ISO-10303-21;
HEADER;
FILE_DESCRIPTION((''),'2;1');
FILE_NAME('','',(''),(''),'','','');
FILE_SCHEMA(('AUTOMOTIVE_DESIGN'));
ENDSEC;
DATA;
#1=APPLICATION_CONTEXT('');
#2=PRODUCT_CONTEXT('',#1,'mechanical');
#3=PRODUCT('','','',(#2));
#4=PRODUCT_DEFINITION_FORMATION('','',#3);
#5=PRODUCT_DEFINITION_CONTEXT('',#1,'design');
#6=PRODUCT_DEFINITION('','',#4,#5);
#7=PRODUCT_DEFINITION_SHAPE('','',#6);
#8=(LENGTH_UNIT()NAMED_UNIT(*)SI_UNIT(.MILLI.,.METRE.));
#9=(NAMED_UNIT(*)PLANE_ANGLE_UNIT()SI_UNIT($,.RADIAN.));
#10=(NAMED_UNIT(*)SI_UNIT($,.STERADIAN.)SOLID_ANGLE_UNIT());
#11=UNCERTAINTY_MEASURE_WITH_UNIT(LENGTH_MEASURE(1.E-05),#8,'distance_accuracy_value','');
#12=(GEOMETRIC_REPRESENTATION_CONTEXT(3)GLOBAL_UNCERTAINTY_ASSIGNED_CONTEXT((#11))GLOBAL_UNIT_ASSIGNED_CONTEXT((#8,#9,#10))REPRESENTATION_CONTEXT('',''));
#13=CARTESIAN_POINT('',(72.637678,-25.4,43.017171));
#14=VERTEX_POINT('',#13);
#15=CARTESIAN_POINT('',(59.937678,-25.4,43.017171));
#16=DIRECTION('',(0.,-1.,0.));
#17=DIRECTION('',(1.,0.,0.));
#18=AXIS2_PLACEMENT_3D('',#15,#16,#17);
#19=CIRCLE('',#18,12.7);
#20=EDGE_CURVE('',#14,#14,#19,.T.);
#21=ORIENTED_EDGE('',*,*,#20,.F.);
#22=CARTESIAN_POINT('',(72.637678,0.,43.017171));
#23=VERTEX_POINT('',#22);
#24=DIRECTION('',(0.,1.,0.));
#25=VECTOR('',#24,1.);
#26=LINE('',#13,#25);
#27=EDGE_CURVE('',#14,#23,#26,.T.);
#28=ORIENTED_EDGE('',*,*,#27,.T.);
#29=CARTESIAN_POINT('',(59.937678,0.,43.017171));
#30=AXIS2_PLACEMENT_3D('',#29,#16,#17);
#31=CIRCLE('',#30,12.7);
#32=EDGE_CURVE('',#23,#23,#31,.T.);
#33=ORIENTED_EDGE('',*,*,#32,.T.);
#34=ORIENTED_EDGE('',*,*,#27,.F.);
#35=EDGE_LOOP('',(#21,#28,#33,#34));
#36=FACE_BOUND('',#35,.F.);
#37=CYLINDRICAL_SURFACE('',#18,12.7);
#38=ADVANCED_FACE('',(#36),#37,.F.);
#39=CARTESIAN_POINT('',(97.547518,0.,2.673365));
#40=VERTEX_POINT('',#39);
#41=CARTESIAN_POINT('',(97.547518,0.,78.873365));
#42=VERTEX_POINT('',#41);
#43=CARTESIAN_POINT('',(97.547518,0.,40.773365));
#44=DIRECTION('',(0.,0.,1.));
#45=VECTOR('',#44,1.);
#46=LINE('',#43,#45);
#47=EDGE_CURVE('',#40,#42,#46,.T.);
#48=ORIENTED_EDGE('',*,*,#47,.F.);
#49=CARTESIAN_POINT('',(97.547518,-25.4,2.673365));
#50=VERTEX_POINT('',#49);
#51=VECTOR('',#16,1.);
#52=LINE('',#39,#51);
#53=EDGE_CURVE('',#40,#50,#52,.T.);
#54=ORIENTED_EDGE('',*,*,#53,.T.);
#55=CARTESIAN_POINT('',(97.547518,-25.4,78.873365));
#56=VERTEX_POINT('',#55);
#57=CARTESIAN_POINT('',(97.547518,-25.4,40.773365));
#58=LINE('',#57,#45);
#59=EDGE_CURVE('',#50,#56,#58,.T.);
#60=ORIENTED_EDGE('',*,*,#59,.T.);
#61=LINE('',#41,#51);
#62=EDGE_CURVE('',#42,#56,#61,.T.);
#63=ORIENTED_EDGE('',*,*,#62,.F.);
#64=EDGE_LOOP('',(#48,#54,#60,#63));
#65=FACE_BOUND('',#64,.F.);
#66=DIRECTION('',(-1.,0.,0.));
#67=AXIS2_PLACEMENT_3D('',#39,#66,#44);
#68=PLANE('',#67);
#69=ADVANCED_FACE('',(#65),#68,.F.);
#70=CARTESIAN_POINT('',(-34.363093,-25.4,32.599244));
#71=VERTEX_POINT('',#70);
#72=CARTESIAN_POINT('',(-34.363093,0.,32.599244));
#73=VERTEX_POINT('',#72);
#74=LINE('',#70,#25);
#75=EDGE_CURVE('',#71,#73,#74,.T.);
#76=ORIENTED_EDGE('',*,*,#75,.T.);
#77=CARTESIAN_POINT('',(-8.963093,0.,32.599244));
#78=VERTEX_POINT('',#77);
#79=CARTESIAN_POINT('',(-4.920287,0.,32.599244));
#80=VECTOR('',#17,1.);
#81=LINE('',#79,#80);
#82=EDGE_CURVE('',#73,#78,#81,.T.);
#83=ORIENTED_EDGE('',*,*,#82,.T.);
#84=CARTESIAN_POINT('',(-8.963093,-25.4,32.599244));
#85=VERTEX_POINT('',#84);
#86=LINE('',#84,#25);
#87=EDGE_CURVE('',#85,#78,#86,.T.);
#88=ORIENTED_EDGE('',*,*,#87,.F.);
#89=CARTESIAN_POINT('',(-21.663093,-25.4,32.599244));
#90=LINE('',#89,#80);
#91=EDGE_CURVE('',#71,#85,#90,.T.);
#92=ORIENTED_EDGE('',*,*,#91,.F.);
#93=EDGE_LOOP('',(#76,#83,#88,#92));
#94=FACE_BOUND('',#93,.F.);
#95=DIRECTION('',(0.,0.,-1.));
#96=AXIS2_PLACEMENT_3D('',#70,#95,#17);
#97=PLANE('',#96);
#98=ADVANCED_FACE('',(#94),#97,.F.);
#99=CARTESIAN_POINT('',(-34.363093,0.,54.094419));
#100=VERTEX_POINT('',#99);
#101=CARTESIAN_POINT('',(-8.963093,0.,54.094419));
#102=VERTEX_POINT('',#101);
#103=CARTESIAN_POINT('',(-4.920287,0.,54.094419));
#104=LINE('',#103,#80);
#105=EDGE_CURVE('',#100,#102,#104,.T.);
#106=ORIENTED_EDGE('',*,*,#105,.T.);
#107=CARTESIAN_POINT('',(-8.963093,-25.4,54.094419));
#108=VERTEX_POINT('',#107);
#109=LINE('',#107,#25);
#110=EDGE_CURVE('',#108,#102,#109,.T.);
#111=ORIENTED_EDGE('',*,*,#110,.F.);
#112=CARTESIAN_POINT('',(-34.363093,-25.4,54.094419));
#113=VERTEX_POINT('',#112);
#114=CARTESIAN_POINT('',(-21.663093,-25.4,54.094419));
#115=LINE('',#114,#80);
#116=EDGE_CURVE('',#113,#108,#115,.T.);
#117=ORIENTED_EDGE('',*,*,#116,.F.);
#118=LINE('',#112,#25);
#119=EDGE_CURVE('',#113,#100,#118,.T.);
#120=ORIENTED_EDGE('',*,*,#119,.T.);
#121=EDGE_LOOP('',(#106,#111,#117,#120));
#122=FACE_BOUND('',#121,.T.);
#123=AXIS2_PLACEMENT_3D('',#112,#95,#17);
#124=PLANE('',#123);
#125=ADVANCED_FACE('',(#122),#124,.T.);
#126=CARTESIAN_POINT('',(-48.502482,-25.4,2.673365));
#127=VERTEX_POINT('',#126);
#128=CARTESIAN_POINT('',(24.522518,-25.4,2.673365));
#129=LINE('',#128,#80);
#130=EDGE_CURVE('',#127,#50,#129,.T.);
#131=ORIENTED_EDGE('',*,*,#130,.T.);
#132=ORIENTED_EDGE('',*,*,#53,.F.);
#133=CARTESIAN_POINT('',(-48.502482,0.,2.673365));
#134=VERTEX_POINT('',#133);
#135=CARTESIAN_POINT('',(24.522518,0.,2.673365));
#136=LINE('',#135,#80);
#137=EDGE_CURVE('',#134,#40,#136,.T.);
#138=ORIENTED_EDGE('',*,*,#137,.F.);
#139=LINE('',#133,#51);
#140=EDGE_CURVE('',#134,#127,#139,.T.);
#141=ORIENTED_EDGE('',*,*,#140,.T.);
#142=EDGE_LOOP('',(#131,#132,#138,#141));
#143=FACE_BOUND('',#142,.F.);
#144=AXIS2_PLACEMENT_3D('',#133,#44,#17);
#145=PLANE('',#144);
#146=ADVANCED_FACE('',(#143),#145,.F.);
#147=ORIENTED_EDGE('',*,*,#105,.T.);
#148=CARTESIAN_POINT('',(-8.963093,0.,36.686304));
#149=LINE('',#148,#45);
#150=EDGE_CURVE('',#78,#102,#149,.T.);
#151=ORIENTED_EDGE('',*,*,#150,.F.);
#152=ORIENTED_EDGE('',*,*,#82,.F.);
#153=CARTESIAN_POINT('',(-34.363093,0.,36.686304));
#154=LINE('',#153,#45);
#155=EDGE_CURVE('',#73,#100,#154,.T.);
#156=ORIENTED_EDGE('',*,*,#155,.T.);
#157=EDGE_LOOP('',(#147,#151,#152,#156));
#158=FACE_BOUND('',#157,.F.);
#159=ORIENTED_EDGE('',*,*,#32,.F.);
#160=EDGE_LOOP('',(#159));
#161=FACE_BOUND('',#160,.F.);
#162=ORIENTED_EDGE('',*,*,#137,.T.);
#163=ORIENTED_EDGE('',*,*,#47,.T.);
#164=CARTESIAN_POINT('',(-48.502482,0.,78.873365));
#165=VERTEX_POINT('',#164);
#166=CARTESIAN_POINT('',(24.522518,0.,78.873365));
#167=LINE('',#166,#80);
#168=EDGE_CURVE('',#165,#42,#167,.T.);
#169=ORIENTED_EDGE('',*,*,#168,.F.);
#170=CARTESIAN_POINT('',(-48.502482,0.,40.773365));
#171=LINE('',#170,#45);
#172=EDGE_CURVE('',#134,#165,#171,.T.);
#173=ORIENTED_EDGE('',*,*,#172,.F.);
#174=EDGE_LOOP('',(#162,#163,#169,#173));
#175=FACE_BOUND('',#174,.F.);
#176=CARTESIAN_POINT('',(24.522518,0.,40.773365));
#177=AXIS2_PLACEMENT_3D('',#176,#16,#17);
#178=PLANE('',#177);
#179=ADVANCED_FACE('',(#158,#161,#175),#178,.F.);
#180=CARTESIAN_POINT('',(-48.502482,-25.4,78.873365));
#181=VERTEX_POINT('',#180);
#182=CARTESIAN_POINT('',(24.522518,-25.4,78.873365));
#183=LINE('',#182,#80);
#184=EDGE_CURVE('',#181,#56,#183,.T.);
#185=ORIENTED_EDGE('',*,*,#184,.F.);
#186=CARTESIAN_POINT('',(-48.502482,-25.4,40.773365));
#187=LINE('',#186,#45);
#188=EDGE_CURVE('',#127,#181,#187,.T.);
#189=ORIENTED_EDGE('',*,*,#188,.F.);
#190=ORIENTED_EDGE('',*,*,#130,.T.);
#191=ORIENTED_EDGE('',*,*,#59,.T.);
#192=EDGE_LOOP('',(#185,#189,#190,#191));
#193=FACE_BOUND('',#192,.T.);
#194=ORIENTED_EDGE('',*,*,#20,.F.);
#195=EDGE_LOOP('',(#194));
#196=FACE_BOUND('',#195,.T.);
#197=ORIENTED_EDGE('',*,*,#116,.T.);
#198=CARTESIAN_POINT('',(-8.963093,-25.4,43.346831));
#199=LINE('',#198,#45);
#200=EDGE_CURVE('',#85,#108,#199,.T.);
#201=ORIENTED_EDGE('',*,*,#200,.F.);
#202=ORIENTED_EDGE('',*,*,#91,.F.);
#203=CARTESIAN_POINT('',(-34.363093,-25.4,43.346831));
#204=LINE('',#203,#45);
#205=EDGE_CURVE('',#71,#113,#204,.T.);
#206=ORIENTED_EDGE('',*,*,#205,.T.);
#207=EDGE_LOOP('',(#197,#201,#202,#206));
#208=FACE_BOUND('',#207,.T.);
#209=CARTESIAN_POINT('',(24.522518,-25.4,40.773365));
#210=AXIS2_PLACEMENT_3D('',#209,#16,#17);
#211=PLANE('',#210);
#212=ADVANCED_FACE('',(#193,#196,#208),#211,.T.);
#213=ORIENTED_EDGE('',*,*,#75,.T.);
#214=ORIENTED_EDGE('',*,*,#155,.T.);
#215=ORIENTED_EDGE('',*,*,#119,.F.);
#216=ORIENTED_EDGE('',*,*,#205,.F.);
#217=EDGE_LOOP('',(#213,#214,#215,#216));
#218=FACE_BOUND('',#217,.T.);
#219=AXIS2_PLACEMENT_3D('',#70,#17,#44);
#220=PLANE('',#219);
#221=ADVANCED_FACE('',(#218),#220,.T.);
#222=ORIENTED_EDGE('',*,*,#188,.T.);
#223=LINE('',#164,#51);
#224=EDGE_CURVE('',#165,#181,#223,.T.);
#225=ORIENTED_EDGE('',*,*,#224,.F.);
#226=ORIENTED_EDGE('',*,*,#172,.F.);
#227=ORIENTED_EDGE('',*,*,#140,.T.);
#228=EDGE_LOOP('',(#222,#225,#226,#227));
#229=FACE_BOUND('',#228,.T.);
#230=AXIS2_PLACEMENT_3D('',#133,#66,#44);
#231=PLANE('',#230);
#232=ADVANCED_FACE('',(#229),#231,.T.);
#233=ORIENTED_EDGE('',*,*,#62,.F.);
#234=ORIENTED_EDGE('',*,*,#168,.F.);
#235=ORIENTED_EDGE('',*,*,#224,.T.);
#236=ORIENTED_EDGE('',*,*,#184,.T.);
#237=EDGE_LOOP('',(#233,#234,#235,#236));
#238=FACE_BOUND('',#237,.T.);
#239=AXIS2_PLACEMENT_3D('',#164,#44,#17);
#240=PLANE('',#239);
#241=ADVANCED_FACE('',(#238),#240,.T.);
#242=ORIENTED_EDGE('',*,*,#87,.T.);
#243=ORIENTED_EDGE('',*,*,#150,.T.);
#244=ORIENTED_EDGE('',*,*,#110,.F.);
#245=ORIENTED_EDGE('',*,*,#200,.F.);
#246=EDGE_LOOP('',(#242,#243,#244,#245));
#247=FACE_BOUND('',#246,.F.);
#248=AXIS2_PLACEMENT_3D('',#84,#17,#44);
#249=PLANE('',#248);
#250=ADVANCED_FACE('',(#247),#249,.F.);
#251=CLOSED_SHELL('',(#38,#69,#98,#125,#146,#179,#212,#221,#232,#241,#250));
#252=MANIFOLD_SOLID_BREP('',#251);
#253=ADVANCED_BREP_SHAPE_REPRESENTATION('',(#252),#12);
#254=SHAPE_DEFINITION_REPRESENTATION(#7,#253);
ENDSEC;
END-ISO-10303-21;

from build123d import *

# Parameters (mm, degrees)
F0_W     = 146.05
F0_H     = 76.2
F1_DEPTH = 25.4
F2_R     = 12.7
F2_W     = 25.4
F2_H     = 21.495175
F3_DEPTH = 1105.408


with BuildPart() as f1:
    # F0 (on Front) → F1 (new body)
    with BuildSketch(Plane.XZ):
        with Locations((24.522518, 40.773365)):
            Rectangle(F0_W, F0_H)
    extrude(amount=F1_DEPTH)

    # F2 (on face) → F3 (cut)
    with BuildSketch(Plane.XZ.offset(25.4)):
        with Locations((59.937678, 43.017171)):
            Circle(F2_R)
        with Locations((-21.663093, 43.346831)):
            Rectangle(F2_W, F2_H)
    extrude(amount=-F3_DEPTH, mode=Mode.SUBTRACT)


solid = f1.part
